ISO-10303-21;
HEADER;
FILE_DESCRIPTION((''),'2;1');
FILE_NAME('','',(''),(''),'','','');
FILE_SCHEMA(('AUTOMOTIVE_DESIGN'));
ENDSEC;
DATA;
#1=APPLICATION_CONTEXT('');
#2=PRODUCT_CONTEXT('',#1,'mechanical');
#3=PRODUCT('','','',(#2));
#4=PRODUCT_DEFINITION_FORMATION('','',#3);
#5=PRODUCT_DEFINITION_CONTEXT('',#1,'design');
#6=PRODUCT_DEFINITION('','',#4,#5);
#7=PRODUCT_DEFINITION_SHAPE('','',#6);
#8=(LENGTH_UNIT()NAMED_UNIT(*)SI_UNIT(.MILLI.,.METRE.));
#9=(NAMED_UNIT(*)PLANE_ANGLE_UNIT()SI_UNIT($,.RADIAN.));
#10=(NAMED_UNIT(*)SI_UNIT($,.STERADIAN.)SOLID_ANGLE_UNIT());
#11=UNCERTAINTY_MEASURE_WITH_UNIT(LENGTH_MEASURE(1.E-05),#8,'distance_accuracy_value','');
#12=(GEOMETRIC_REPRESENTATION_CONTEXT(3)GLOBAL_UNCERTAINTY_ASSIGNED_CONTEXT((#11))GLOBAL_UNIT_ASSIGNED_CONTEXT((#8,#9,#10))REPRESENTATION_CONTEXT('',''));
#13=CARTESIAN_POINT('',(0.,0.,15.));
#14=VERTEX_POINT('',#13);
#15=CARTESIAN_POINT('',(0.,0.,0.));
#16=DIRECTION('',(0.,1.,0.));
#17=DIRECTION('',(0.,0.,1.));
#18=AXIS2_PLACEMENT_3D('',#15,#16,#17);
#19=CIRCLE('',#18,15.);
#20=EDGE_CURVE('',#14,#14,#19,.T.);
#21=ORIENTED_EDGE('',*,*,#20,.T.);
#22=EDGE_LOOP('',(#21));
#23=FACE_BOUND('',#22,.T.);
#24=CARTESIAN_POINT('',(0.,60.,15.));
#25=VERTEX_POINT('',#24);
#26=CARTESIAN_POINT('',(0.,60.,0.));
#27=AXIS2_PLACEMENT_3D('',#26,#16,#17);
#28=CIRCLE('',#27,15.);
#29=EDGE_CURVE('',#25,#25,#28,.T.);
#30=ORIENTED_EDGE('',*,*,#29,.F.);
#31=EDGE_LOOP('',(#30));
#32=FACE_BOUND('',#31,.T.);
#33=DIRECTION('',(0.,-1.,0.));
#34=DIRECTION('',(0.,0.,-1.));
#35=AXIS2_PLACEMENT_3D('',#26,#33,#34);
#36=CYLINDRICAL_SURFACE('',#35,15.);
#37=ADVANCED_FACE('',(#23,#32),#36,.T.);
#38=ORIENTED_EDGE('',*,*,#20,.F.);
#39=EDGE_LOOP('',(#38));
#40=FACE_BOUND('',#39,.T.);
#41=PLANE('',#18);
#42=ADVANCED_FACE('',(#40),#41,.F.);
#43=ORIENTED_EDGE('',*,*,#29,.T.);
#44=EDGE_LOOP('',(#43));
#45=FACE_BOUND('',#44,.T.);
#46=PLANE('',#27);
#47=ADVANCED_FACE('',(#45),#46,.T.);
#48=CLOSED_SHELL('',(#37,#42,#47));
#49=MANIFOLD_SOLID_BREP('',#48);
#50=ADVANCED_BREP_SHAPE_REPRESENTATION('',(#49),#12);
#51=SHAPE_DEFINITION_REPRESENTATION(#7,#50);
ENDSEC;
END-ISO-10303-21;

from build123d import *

# Parameters (mm, degrees)
SKETCH2_R           = 15
BOSS_EXTRUDE1_DEPTH = 60


with BuildPart() as part:
    # Sketch2 → Boss-Extrude1 (new body)
    with BuildSketch(Plane(origin=(0, 0, 0), x_dir=(1, 0, 0), z_dir=(0, 1, 0))):
        Circle(SKETCH2_R)
    extrude(amount=BOSS_EXTRUDE1_DEPTH)


solid = part.part
